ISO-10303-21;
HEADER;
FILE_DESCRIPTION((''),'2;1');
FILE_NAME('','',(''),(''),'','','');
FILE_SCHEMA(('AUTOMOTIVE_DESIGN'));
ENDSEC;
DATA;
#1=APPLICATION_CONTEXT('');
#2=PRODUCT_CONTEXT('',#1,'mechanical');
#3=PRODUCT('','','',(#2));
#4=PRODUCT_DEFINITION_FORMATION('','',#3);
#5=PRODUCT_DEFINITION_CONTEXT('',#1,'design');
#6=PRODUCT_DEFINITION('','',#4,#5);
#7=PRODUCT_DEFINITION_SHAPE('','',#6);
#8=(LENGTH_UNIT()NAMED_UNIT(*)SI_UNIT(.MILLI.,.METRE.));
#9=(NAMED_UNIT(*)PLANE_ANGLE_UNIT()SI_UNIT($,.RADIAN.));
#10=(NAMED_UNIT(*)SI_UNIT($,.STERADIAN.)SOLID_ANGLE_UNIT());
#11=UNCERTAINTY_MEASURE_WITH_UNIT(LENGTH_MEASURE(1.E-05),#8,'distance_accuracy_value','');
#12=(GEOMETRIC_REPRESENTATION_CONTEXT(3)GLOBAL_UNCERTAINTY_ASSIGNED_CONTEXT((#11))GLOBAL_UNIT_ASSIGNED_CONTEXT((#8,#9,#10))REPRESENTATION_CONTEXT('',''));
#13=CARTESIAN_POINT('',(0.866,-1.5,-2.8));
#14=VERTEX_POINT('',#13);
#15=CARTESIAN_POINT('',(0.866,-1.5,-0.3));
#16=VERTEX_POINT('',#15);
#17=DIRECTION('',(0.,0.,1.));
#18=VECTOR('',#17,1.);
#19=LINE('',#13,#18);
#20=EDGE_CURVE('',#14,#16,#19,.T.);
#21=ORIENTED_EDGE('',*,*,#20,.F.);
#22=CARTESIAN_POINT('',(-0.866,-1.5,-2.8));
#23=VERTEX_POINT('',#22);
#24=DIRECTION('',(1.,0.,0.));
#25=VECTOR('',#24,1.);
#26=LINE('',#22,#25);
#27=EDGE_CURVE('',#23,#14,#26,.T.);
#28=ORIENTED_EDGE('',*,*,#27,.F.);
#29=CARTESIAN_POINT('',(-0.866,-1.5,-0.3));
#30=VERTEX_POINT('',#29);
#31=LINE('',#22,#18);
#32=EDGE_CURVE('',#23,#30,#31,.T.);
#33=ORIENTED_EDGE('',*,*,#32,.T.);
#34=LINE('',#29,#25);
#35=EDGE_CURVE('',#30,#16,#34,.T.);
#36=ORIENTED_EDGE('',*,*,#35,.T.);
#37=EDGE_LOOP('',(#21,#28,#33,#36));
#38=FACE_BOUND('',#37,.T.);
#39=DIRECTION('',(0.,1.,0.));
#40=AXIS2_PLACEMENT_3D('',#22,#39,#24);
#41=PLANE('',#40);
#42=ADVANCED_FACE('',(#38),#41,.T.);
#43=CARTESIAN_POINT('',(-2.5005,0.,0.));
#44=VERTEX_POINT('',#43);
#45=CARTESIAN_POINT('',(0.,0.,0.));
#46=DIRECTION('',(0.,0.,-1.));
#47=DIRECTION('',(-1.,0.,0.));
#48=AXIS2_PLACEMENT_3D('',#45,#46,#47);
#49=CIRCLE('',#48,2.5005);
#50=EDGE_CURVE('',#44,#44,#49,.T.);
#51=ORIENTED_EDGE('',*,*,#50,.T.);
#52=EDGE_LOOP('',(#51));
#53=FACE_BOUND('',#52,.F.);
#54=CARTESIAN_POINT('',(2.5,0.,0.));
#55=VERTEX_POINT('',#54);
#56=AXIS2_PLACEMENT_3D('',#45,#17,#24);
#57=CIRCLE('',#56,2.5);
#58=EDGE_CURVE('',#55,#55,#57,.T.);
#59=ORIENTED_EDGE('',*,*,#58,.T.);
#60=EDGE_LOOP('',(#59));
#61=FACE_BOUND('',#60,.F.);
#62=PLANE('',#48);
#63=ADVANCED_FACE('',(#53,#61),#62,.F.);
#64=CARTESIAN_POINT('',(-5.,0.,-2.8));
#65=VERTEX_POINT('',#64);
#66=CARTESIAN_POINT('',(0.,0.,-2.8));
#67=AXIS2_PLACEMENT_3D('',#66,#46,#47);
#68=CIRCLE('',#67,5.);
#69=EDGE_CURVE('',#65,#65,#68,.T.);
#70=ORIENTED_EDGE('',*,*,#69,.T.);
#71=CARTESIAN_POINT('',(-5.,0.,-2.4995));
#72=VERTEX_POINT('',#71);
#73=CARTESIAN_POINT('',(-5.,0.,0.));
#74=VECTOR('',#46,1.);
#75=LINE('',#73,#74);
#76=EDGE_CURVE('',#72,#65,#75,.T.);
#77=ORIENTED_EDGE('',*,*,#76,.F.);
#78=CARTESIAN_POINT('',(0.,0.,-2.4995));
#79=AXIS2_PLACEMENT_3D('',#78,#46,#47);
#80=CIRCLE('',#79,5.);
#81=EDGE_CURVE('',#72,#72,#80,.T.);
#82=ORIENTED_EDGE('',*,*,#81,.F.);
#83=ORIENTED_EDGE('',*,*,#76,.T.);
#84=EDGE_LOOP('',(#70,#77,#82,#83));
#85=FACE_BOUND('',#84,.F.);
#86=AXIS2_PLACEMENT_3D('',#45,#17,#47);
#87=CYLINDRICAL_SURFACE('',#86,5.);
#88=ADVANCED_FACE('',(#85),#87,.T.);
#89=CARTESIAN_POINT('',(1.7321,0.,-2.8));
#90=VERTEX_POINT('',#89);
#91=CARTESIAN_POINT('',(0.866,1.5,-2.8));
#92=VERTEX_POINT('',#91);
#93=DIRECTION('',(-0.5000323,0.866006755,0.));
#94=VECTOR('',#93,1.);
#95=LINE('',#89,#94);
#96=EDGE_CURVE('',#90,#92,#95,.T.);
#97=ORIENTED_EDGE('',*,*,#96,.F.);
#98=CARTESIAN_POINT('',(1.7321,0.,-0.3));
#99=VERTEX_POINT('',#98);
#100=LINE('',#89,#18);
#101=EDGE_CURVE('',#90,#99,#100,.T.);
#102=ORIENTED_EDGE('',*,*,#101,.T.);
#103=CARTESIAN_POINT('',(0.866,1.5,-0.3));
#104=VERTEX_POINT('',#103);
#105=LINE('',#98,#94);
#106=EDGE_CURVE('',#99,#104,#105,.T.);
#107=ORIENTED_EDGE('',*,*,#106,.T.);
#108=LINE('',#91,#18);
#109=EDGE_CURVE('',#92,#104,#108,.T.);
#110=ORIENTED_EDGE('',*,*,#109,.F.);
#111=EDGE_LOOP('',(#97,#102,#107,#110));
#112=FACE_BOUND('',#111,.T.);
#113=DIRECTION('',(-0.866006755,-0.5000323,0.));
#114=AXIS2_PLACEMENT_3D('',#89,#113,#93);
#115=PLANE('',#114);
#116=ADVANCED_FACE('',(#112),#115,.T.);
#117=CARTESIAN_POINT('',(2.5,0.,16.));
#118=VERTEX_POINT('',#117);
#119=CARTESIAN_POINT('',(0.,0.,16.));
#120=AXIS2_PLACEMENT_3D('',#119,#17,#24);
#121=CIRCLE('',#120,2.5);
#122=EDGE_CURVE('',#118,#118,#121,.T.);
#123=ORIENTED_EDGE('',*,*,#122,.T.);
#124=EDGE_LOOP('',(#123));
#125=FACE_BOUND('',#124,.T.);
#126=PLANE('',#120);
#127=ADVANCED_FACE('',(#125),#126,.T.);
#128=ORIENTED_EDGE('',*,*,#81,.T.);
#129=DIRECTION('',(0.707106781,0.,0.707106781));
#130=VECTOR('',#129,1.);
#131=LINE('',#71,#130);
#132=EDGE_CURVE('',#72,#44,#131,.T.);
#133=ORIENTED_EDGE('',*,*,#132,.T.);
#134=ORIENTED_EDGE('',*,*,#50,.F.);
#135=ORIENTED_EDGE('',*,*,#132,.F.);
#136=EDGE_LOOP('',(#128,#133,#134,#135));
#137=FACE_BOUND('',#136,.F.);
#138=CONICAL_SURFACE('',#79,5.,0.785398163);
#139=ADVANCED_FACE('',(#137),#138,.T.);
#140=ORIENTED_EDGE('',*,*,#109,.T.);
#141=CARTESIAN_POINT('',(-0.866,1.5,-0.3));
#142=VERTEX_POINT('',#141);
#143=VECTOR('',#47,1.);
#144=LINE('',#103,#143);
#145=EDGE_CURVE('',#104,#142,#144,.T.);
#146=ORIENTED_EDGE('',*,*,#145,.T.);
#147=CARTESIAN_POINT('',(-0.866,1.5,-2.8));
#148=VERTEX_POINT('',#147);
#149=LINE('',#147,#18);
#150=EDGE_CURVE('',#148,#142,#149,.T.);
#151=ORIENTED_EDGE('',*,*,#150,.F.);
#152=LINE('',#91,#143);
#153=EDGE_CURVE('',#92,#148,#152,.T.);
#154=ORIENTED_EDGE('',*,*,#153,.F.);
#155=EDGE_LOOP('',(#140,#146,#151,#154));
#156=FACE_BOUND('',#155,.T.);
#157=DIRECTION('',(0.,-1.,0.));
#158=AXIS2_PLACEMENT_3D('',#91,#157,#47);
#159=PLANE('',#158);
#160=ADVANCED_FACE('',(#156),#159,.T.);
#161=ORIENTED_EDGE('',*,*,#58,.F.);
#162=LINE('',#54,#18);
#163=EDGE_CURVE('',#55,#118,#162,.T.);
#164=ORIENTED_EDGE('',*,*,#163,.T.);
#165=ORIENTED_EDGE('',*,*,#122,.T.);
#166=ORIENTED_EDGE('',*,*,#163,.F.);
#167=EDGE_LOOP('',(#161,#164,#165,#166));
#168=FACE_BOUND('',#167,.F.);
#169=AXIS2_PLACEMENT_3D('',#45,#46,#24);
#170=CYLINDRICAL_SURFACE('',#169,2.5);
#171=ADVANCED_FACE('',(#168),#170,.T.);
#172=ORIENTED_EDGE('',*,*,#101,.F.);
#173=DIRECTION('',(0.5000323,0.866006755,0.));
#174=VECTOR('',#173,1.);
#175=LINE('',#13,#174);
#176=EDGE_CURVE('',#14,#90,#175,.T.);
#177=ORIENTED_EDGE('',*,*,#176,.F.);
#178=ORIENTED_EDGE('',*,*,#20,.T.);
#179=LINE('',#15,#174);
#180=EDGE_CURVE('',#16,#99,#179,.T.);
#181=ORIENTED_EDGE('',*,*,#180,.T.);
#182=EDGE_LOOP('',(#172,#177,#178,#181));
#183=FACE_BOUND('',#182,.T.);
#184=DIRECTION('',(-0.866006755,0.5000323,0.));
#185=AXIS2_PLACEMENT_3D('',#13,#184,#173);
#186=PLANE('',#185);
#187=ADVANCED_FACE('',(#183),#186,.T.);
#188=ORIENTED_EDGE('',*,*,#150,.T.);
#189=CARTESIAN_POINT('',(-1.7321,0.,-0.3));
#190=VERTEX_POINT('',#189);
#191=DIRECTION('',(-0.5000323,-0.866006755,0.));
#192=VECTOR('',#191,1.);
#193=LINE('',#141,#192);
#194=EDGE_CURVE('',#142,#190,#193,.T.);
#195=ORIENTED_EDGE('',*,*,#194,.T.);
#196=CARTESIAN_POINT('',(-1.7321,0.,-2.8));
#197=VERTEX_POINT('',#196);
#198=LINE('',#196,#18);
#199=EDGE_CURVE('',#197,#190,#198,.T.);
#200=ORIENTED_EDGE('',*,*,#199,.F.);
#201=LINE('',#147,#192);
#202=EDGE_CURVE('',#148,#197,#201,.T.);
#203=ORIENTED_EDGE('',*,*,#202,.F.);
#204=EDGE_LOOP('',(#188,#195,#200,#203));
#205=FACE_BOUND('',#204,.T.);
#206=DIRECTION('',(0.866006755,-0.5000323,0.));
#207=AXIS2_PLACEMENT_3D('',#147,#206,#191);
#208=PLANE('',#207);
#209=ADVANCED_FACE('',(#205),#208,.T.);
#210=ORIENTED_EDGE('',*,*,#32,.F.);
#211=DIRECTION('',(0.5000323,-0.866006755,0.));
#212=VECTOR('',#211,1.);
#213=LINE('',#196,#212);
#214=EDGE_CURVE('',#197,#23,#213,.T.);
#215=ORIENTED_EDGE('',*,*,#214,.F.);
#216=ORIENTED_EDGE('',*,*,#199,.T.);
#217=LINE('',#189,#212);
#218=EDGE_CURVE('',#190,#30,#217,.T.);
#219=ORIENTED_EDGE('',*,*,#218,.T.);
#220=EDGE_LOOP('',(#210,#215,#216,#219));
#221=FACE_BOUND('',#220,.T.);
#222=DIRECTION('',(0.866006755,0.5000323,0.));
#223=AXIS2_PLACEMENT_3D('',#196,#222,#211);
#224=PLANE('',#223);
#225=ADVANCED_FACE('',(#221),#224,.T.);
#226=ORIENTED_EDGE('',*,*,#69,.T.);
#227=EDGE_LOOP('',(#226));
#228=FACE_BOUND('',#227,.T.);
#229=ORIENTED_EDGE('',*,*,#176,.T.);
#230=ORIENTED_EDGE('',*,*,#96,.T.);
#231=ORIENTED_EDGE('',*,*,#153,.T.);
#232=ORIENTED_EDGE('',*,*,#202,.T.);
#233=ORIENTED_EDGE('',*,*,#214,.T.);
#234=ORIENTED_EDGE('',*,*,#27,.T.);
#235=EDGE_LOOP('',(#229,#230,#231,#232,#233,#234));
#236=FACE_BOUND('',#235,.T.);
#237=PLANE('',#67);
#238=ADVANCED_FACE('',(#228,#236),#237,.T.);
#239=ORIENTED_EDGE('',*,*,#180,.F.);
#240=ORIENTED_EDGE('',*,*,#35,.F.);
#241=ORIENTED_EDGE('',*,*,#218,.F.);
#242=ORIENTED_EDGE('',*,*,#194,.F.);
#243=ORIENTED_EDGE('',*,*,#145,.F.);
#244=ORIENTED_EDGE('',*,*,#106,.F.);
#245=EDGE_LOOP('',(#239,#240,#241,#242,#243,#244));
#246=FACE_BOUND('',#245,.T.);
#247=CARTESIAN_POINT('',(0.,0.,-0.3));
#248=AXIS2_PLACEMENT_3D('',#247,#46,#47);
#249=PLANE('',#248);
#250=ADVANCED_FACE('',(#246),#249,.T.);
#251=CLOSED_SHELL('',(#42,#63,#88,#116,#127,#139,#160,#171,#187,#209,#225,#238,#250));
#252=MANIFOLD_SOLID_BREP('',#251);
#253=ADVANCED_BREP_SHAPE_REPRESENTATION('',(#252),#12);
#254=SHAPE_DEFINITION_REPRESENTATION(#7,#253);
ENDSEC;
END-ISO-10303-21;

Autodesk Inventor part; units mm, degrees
ref_plane "YZ Plane" through (0, 0, 0) normal (1, 0, 0) x (0, 1, 0)
ref_plane "XZ Plane" through (0, 0, 0) normal (0, 1, 0) x (-1, 0, 0)
ref_plane "XY Plane" through (0, 0, 0) normal (0, 0, 1) x (1, 0, 0)
sketch "スケッチ1" plane through (0, 0, 0) normal (0, 0, 1) x (1, 0, 0)
  circle A0 centre (0, 0) radius 2.5
  dimension "d0" = 5
extrude "押し出し1" add sketch "スケッチ1" along normal blind 16
sketch "スケッチ2" plane through (0, 0, 0) normal (0, 0, -1) x (-1, 0, 0)
  circle A0 centre (0, 0) radius 5
  dimension "d3" = 10
extrude "押し出し2" add sketch "スケッチ2" along normal blind 2.8
chamfer "面取り1" distance 2.5 angle 45 1 edges at (5, 0, 0)
thread "ねじ1" size "M5x0.8" class "6g" standard "ANSI Metric M Profile" full length
sketch "スケッチ3" plane through (0, 0, -2.8) normal (0, 0, -1) x (-1, 0, 0)
  line L0 (1.7321, 0) -> (0.866, -1.5)
  line L1 (0.866, -1.5) -> (-0.866, -1.5)
  line L2 (-0.866, -1.5) -> (-1.7321, 0)
  line L3 (-1.7321, 0) -> (-0.866, 1.5)
  line L4 (-0.866, 1.5) -> (0.866, 1.5)
  line L5 (0.866, 1.5) -> (1.7321, 0)
  point P0 (0, 0)
  point P1 (0, 0)
  dimension "d11" = 3
extrude "押し出し3" cut sketch "スケッチ3" against normal blind 2.5
properties part number "M5皿ネジ　１６" material "鉄 灰色"
